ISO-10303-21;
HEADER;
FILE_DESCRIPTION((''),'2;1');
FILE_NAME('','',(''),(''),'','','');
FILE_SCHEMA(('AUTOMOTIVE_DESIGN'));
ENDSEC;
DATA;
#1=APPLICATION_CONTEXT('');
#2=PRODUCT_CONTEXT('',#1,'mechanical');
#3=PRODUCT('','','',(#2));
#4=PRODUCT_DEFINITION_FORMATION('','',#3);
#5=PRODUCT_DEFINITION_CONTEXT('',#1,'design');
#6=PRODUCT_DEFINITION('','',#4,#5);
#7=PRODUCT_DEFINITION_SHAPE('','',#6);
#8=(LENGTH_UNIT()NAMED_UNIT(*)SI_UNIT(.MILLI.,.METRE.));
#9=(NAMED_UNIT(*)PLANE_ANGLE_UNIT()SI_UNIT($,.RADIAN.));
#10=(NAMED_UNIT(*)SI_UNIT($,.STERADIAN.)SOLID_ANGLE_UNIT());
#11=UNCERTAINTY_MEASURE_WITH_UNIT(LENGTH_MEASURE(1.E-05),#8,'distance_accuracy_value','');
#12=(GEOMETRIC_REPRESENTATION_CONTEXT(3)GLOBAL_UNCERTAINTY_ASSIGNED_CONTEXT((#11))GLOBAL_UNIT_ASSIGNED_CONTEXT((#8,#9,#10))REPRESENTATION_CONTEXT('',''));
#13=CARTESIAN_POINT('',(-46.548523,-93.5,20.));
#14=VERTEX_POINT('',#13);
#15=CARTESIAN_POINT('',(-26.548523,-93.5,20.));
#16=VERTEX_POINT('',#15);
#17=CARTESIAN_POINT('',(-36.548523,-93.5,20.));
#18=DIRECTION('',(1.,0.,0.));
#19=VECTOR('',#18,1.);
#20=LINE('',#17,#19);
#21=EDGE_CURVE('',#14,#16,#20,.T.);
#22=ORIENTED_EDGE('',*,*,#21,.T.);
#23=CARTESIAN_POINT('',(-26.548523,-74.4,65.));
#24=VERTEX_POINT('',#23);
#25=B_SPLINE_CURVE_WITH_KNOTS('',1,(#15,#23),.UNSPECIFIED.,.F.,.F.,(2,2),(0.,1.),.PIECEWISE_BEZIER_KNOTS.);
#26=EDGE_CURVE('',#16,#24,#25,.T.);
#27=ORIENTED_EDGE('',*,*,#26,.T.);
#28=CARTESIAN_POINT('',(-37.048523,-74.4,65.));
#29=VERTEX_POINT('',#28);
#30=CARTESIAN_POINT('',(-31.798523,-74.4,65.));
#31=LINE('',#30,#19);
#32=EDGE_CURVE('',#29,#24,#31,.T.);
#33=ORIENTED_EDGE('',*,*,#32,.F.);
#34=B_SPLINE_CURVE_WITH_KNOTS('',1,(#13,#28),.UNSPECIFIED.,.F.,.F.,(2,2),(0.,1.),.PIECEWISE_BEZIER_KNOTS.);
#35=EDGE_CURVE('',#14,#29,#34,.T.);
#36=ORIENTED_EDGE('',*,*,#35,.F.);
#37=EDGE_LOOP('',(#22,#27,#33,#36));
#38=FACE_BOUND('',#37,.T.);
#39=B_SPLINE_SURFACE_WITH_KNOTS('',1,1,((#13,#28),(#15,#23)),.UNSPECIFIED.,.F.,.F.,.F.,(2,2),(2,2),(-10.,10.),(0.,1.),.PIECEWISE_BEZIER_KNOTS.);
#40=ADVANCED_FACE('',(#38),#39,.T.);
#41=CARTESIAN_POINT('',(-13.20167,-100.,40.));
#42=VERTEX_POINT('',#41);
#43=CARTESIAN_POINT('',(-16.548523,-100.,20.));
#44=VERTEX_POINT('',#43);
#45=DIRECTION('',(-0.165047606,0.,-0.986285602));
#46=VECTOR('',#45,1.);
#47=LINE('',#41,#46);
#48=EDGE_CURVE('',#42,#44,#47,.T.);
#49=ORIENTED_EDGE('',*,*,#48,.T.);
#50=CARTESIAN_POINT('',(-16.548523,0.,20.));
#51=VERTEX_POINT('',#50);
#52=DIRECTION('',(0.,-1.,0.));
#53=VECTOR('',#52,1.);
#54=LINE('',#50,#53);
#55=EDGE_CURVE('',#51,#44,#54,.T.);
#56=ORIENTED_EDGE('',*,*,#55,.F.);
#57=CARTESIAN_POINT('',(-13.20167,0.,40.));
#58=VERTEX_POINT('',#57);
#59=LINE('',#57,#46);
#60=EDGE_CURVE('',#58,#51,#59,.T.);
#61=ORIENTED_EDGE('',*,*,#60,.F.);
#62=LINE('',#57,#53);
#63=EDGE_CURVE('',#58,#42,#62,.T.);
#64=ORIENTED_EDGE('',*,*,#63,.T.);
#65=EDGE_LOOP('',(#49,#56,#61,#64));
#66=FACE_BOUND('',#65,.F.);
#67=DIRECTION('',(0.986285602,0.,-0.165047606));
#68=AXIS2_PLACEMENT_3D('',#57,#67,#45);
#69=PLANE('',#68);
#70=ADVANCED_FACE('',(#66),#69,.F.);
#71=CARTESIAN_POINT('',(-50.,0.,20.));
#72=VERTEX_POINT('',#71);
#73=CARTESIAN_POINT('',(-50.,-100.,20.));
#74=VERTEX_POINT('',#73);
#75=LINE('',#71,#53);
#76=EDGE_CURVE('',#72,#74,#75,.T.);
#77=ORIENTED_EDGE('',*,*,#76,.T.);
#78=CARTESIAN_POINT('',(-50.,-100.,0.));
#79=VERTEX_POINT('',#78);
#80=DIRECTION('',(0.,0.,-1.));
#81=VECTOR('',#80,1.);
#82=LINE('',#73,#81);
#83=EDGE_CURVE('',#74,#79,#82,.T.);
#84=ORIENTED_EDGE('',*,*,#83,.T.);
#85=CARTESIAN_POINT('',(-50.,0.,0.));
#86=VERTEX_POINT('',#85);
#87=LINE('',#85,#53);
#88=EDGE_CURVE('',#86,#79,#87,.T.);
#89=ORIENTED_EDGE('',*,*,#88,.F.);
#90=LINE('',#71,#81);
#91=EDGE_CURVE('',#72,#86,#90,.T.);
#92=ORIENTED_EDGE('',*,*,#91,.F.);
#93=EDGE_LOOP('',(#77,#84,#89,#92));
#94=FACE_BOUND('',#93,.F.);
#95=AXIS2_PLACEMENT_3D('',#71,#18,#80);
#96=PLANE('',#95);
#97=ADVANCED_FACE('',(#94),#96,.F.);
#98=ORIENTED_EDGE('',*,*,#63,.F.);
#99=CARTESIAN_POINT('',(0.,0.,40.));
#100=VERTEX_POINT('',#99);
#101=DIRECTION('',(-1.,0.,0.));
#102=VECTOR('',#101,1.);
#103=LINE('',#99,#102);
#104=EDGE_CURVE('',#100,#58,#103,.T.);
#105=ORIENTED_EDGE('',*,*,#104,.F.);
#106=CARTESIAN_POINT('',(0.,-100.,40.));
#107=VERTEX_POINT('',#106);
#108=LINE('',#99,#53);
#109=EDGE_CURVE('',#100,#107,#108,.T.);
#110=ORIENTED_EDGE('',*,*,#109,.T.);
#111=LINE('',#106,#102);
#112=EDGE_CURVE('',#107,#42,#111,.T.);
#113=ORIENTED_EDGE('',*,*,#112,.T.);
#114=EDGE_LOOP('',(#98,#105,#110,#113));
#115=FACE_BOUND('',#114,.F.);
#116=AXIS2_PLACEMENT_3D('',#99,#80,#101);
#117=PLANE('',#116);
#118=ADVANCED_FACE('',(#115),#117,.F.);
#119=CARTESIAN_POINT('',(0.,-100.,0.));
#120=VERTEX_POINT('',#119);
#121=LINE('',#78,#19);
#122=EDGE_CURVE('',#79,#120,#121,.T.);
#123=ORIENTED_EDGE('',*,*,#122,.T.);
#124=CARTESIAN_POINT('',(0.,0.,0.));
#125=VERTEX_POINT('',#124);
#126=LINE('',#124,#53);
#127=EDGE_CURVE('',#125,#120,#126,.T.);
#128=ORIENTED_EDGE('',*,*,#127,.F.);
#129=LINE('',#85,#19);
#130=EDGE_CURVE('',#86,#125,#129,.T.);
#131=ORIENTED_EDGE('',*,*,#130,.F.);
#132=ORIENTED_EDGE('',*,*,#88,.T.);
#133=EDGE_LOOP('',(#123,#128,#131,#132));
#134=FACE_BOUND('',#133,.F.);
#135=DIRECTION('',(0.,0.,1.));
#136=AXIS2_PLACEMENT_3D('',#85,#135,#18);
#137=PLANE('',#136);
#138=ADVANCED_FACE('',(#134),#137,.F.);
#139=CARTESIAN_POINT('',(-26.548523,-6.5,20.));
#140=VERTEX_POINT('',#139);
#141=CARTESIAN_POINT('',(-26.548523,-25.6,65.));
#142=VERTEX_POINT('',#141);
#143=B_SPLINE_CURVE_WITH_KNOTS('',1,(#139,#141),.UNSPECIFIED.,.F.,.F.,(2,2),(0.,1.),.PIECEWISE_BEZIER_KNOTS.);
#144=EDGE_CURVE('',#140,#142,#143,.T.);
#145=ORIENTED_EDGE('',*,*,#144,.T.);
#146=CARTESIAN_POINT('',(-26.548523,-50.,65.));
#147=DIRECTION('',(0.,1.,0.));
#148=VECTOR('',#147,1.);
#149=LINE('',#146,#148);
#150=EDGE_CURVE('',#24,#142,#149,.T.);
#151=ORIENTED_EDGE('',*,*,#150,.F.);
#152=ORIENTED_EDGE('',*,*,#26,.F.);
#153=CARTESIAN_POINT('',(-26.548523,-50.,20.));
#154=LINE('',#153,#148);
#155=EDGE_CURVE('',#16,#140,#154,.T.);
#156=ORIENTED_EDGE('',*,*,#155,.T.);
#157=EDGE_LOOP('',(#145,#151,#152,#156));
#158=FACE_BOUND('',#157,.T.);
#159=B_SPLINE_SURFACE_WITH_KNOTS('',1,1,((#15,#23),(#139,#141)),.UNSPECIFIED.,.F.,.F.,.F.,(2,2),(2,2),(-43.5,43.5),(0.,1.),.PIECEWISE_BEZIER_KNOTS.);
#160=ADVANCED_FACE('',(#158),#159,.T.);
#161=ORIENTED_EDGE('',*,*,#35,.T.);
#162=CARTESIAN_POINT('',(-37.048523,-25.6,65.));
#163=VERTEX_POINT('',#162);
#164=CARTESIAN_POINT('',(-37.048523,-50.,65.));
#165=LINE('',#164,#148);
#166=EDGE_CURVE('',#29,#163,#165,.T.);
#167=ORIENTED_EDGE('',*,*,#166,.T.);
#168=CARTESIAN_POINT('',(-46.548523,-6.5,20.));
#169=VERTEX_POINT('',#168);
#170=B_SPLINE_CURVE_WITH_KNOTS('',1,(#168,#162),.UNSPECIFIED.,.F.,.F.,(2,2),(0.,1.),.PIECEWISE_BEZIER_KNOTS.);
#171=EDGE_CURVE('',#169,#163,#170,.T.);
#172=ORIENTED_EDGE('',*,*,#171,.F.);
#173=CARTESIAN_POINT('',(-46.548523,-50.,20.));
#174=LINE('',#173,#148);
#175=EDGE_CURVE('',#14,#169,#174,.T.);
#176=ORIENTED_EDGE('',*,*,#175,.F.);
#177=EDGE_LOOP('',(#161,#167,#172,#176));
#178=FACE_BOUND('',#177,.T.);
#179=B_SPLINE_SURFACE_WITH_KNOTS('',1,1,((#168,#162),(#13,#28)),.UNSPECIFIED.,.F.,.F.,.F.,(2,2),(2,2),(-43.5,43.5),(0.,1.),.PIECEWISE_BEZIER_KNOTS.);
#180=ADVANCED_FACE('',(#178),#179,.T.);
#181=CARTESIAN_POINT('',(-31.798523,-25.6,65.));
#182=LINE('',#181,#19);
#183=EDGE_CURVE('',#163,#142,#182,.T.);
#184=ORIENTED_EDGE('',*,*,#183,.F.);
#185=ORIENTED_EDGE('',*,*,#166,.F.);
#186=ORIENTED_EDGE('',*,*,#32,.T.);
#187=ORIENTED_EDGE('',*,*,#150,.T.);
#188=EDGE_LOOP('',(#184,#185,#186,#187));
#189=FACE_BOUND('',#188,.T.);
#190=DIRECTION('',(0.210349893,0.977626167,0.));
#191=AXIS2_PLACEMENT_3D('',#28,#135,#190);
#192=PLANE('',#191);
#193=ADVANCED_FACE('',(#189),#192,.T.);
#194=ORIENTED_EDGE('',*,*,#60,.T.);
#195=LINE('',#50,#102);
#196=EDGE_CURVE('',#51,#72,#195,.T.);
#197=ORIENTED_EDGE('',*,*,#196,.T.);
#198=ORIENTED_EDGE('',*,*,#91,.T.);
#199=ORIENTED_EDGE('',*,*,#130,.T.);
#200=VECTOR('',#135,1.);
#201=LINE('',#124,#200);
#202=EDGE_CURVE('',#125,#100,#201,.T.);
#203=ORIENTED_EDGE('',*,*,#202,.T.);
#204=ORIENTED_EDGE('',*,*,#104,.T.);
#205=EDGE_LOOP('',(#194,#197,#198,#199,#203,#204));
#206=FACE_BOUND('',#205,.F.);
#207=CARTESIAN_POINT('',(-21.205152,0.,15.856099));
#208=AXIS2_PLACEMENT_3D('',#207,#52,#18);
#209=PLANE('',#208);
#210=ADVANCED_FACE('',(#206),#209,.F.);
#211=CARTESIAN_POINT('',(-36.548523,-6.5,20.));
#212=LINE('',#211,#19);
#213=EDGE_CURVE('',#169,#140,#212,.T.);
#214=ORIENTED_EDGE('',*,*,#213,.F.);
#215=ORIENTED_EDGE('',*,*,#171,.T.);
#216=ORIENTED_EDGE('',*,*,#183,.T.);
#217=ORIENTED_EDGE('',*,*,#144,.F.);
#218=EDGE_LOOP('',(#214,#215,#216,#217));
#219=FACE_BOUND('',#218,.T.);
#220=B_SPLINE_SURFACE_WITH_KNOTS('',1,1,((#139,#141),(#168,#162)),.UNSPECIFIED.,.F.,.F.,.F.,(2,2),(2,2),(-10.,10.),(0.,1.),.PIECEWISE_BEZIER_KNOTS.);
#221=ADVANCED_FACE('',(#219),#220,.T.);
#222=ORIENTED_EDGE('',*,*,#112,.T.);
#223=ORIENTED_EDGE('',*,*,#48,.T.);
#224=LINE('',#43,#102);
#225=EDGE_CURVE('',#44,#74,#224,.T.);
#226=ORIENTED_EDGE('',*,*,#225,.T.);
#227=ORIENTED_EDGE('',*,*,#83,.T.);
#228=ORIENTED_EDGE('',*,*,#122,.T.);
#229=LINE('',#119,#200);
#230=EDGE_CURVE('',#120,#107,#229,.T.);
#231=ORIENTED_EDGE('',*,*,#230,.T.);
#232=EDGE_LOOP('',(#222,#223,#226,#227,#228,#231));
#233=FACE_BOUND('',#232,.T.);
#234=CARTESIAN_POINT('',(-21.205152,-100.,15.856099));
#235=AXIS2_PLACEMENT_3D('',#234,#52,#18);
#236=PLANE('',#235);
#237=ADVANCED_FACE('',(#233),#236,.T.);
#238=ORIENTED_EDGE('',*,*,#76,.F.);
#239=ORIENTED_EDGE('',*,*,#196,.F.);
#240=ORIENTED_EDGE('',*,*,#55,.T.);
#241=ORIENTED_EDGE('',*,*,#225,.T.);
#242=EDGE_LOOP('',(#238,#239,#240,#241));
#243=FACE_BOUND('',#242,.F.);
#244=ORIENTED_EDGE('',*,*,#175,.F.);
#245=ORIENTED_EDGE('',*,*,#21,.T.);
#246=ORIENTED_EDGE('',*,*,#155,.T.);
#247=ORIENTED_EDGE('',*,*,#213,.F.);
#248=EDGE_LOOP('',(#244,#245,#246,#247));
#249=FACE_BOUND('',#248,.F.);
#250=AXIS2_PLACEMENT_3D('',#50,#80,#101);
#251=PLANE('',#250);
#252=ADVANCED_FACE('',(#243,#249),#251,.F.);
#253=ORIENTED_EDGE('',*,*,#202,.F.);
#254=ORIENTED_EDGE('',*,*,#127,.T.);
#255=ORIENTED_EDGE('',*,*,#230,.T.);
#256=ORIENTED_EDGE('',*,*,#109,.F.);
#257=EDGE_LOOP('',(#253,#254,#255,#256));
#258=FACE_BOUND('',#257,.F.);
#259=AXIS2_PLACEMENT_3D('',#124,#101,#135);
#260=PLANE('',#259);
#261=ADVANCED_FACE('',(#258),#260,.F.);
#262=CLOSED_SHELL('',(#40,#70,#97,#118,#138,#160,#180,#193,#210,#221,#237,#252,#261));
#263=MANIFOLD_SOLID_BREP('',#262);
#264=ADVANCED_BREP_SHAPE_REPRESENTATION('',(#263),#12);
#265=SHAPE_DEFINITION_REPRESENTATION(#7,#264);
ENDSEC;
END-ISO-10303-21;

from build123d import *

# Parameters (mm, degrees)
F1_DEPTH = 100
F2_W     = 20
F2_H     = 87
F4_W     = 10.5
F4_H     = 48.8


with BuildPart() as f1:
    # F0 (on Front) → F1 (new body)
    with BuildSketch(Plane.XZ):
        Polygon((-50, 0), (0, 0), (0, 40), (-13.2016703318, 40), (-16.5485225135, 20), (-50, 20), align=None)
    extrude(amount=F1_DEPTH)

    # F2 (on face) → F5 section 0
    with BuildSketch(Plane.XY.offset(20)):
        with Locations((-36.5485225135, -50)):
            Rectangle(F2_W, F2_H)
    # F4 (on offset) → F5 section 1
    with BuildSketch(Plane.XY.offset(65)):
        with Locations((-31.7985225135, -50)):
            Rectangle(F4_W, F4_H)
    loft()


solid = f1.part
